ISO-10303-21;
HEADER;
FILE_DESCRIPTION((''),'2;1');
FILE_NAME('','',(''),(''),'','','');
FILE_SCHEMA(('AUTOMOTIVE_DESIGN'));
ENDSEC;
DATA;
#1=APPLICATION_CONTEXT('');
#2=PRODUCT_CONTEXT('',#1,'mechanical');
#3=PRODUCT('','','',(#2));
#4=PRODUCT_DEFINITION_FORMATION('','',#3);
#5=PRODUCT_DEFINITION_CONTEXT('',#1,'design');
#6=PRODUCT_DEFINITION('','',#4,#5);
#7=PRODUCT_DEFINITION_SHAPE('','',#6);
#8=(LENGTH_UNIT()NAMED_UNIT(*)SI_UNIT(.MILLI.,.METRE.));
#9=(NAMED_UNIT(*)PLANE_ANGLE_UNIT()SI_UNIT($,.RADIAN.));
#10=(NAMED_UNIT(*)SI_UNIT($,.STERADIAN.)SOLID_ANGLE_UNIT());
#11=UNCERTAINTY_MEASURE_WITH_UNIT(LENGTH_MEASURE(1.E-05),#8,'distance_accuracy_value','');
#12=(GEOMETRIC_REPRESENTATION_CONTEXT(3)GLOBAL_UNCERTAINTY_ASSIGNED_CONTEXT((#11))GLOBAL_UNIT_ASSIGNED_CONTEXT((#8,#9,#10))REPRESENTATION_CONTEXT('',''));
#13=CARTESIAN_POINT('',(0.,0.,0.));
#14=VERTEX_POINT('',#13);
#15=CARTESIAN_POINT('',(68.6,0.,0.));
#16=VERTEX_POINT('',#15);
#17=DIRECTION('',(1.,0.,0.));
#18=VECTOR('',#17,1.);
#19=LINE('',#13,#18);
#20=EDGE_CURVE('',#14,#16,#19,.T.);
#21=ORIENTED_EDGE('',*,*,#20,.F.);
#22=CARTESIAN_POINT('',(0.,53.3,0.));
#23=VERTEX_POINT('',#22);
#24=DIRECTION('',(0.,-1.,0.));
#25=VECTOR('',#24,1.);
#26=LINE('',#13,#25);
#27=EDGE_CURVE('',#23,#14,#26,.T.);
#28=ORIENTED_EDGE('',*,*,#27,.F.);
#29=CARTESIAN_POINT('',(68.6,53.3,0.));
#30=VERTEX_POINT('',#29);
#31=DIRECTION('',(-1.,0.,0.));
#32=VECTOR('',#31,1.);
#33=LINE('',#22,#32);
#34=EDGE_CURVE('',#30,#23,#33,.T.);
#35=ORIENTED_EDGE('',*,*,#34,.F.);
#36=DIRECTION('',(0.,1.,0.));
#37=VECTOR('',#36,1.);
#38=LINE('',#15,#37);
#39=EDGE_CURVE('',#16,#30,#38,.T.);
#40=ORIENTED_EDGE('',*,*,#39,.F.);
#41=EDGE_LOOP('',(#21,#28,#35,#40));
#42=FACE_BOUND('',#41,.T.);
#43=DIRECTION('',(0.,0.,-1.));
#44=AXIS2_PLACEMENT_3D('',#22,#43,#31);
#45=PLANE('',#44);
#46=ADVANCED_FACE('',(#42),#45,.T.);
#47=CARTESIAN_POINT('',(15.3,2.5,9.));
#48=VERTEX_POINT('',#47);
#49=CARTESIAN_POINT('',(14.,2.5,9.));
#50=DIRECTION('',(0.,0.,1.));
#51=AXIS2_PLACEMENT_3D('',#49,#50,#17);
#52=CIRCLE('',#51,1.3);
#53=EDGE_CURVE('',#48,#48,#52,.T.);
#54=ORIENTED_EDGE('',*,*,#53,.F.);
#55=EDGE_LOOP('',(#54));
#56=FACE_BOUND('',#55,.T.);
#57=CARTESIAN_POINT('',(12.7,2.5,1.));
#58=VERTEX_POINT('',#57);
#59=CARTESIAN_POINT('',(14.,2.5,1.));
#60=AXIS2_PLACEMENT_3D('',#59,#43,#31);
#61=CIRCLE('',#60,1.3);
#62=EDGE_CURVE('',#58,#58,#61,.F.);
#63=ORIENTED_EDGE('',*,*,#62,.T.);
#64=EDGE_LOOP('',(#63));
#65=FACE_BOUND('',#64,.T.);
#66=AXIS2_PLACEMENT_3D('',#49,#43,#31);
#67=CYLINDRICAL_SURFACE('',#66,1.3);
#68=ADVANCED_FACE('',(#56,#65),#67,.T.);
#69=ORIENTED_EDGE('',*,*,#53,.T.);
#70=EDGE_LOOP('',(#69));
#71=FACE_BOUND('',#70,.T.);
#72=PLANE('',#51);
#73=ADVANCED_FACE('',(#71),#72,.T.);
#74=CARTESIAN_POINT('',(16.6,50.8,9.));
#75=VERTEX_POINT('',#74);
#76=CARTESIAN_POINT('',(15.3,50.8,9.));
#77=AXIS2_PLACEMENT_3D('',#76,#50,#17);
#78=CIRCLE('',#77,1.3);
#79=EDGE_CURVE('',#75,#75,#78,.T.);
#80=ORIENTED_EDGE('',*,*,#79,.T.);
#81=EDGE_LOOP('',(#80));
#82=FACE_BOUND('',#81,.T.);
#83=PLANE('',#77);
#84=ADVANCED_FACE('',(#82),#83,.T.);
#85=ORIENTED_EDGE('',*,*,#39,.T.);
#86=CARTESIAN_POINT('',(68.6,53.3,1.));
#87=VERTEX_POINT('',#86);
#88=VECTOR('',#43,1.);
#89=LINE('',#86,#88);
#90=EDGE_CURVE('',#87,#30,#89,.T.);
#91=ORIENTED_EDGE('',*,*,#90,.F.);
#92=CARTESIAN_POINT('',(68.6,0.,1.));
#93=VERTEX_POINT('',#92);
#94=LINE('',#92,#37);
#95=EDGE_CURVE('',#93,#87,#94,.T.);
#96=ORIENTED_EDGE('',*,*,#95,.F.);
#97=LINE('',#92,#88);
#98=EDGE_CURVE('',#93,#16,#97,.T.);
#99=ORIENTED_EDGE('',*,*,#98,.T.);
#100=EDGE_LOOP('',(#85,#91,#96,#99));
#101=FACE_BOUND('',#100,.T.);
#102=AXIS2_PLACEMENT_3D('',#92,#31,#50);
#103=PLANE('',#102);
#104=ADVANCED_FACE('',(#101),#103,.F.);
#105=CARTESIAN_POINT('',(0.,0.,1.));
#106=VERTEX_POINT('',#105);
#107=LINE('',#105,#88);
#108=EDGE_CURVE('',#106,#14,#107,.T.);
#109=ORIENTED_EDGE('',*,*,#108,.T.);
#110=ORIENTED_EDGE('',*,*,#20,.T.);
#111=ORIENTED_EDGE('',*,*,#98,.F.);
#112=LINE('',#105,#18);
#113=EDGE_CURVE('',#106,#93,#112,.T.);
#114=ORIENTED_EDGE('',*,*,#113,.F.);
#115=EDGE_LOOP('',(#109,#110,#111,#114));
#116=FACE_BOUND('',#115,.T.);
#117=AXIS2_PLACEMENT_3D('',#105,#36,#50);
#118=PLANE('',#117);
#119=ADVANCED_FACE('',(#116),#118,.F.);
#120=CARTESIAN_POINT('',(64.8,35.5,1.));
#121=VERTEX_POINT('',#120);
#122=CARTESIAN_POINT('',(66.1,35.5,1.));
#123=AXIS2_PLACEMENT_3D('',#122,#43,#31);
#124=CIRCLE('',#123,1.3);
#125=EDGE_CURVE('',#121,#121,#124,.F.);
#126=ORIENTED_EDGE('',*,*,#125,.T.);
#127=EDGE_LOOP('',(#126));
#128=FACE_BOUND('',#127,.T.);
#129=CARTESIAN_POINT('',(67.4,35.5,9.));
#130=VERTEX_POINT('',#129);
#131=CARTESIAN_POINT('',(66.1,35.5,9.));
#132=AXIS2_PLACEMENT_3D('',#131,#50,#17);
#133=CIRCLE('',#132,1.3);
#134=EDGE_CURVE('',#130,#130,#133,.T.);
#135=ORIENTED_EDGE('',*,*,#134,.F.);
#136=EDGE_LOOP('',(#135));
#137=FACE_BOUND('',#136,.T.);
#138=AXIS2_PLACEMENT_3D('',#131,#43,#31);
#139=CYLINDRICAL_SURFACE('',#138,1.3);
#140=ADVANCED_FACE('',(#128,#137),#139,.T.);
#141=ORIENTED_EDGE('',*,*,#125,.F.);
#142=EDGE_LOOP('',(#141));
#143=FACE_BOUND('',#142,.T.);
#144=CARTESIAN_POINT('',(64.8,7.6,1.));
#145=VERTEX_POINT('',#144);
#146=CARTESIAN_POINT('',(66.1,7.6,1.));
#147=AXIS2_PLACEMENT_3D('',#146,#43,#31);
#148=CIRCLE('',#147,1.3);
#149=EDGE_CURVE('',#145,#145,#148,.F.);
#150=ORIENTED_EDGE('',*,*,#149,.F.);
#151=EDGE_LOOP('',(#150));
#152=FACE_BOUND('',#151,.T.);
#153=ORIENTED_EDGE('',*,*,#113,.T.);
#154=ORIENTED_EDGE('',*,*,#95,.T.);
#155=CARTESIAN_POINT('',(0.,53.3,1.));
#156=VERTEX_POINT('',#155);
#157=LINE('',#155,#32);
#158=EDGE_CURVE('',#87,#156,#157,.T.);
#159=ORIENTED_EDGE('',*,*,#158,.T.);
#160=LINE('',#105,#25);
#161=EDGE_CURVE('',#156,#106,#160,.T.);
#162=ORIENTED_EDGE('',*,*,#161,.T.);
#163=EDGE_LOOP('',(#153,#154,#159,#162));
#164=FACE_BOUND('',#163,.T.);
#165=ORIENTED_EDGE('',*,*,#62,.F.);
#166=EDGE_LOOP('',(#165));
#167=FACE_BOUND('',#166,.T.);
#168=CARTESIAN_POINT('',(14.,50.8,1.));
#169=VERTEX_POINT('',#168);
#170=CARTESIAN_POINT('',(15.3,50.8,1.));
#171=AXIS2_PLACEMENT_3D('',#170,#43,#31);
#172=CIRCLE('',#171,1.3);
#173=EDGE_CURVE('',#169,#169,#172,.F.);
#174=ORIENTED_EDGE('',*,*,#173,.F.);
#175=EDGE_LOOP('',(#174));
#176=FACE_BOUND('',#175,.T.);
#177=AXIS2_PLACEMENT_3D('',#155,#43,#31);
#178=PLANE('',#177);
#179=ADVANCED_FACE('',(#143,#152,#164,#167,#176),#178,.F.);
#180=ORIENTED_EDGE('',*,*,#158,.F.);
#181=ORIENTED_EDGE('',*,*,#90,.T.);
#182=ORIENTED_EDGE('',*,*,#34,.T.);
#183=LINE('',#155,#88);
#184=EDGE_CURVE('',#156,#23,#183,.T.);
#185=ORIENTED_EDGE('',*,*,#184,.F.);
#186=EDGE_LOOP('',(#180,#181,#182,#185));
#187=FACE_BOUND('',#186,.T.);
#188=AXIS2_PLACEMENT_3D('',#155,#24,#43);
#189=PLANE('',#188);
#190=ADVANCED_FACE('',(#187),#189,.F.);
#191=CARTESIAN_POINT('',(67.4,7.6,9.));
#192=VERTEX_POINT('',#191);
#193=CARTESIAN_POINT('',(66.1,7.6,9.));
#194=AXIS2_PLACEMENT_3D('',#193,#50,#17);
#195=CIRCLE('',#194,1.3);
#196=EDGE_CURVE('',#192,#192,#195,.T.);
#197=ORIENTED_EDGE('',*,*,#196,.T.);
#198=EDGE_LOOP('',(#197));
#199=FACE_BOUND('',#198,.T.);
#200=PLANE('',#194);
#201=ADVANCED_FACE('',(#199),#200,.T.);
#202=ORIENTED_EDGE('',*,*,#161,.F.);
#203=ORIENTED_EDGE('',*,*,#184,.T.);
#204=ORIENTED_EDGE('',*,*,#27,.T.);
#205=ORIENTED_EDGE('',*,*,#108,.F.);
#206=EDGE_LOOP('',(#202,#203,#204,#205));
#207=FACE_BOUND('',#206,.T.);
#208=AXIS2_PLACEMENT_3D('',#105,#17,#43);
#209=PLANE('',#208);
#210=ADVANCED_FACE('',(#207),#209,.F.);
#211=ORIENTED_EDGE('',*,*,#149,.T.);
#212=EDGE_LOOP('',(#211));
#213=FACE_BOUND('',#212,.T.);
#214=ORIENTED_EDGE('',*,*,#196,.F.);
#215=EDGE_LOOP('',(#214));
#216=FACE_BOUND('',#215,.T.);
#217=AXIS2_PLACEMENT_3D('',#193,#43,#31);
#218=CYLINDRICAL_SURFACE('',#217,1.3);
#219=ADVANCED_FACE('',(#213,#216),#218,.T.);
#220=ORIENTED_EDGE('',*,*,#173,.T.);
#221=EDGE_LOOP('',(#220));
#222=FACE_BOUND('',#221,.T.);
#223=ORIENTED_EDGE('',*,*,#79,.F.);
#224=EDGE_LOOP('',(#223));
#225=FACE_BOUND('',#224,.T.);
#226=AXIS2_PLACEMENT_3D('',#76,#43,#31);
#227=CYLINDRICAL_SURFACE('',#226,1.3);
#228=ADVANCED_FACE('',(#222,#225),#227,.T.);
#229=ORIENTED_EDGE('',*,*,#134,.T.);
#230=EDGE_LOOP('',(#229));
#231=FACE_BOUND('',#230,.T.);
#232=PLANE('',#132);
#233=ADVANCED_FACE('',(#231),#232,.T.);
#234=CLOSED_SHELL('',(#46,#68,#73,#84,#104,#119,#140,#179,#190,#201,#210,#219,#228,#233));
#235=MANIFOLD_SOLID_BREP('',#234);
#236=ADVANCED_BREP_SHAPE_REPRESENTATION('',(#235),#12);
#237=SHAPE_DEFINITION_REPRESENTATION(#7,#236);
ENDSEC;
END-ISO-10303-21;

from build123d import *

# Parameters (mm, degrees)
SKETCH1_W           = 68.6
SKETCH1_H           = 53.3
BOSS_EXTRUDE1_DEPTH = 1
SKETCH2_R           = 1.3
BOSS_EXTRUDE2_DEPTH = 8


with BuildPart() as part:
    # Sketch1 → Boss-Extrude1 (new body)
    with BuildSketch(Plane.XY):
        with Locations((34.3, 26.65)):
            Rectangle(SKETCH1_W, SKETCH1_H)
    extrude(amount=BOSS_EXTRUDE1_DEPTH)

    # Sketch2 → Boss-Extrude2 (add)
    with BuildSketch(Plane.XY.offset(1)):
        with Locations(Location((14, 2.5, 0), (0, 0, 180))):
            Circle(SKETCH2_R)
        with Locations(Location((15.3, 50.8, 0), (0, 0, 180))):
            Circle(SKETCH2_R)
        with Locations(Location((66.1, 7.6, 0), (0, 0, 180))):
            Circle(SKETCH2_R)
        with Locations(Location((66.1, 35.5, 0), (0, 0, 180))):
            Circle(SKETCH2_R)
    extrude(amount=BOSS_EXTRUDE2_DEPTH)


solid = part.part
